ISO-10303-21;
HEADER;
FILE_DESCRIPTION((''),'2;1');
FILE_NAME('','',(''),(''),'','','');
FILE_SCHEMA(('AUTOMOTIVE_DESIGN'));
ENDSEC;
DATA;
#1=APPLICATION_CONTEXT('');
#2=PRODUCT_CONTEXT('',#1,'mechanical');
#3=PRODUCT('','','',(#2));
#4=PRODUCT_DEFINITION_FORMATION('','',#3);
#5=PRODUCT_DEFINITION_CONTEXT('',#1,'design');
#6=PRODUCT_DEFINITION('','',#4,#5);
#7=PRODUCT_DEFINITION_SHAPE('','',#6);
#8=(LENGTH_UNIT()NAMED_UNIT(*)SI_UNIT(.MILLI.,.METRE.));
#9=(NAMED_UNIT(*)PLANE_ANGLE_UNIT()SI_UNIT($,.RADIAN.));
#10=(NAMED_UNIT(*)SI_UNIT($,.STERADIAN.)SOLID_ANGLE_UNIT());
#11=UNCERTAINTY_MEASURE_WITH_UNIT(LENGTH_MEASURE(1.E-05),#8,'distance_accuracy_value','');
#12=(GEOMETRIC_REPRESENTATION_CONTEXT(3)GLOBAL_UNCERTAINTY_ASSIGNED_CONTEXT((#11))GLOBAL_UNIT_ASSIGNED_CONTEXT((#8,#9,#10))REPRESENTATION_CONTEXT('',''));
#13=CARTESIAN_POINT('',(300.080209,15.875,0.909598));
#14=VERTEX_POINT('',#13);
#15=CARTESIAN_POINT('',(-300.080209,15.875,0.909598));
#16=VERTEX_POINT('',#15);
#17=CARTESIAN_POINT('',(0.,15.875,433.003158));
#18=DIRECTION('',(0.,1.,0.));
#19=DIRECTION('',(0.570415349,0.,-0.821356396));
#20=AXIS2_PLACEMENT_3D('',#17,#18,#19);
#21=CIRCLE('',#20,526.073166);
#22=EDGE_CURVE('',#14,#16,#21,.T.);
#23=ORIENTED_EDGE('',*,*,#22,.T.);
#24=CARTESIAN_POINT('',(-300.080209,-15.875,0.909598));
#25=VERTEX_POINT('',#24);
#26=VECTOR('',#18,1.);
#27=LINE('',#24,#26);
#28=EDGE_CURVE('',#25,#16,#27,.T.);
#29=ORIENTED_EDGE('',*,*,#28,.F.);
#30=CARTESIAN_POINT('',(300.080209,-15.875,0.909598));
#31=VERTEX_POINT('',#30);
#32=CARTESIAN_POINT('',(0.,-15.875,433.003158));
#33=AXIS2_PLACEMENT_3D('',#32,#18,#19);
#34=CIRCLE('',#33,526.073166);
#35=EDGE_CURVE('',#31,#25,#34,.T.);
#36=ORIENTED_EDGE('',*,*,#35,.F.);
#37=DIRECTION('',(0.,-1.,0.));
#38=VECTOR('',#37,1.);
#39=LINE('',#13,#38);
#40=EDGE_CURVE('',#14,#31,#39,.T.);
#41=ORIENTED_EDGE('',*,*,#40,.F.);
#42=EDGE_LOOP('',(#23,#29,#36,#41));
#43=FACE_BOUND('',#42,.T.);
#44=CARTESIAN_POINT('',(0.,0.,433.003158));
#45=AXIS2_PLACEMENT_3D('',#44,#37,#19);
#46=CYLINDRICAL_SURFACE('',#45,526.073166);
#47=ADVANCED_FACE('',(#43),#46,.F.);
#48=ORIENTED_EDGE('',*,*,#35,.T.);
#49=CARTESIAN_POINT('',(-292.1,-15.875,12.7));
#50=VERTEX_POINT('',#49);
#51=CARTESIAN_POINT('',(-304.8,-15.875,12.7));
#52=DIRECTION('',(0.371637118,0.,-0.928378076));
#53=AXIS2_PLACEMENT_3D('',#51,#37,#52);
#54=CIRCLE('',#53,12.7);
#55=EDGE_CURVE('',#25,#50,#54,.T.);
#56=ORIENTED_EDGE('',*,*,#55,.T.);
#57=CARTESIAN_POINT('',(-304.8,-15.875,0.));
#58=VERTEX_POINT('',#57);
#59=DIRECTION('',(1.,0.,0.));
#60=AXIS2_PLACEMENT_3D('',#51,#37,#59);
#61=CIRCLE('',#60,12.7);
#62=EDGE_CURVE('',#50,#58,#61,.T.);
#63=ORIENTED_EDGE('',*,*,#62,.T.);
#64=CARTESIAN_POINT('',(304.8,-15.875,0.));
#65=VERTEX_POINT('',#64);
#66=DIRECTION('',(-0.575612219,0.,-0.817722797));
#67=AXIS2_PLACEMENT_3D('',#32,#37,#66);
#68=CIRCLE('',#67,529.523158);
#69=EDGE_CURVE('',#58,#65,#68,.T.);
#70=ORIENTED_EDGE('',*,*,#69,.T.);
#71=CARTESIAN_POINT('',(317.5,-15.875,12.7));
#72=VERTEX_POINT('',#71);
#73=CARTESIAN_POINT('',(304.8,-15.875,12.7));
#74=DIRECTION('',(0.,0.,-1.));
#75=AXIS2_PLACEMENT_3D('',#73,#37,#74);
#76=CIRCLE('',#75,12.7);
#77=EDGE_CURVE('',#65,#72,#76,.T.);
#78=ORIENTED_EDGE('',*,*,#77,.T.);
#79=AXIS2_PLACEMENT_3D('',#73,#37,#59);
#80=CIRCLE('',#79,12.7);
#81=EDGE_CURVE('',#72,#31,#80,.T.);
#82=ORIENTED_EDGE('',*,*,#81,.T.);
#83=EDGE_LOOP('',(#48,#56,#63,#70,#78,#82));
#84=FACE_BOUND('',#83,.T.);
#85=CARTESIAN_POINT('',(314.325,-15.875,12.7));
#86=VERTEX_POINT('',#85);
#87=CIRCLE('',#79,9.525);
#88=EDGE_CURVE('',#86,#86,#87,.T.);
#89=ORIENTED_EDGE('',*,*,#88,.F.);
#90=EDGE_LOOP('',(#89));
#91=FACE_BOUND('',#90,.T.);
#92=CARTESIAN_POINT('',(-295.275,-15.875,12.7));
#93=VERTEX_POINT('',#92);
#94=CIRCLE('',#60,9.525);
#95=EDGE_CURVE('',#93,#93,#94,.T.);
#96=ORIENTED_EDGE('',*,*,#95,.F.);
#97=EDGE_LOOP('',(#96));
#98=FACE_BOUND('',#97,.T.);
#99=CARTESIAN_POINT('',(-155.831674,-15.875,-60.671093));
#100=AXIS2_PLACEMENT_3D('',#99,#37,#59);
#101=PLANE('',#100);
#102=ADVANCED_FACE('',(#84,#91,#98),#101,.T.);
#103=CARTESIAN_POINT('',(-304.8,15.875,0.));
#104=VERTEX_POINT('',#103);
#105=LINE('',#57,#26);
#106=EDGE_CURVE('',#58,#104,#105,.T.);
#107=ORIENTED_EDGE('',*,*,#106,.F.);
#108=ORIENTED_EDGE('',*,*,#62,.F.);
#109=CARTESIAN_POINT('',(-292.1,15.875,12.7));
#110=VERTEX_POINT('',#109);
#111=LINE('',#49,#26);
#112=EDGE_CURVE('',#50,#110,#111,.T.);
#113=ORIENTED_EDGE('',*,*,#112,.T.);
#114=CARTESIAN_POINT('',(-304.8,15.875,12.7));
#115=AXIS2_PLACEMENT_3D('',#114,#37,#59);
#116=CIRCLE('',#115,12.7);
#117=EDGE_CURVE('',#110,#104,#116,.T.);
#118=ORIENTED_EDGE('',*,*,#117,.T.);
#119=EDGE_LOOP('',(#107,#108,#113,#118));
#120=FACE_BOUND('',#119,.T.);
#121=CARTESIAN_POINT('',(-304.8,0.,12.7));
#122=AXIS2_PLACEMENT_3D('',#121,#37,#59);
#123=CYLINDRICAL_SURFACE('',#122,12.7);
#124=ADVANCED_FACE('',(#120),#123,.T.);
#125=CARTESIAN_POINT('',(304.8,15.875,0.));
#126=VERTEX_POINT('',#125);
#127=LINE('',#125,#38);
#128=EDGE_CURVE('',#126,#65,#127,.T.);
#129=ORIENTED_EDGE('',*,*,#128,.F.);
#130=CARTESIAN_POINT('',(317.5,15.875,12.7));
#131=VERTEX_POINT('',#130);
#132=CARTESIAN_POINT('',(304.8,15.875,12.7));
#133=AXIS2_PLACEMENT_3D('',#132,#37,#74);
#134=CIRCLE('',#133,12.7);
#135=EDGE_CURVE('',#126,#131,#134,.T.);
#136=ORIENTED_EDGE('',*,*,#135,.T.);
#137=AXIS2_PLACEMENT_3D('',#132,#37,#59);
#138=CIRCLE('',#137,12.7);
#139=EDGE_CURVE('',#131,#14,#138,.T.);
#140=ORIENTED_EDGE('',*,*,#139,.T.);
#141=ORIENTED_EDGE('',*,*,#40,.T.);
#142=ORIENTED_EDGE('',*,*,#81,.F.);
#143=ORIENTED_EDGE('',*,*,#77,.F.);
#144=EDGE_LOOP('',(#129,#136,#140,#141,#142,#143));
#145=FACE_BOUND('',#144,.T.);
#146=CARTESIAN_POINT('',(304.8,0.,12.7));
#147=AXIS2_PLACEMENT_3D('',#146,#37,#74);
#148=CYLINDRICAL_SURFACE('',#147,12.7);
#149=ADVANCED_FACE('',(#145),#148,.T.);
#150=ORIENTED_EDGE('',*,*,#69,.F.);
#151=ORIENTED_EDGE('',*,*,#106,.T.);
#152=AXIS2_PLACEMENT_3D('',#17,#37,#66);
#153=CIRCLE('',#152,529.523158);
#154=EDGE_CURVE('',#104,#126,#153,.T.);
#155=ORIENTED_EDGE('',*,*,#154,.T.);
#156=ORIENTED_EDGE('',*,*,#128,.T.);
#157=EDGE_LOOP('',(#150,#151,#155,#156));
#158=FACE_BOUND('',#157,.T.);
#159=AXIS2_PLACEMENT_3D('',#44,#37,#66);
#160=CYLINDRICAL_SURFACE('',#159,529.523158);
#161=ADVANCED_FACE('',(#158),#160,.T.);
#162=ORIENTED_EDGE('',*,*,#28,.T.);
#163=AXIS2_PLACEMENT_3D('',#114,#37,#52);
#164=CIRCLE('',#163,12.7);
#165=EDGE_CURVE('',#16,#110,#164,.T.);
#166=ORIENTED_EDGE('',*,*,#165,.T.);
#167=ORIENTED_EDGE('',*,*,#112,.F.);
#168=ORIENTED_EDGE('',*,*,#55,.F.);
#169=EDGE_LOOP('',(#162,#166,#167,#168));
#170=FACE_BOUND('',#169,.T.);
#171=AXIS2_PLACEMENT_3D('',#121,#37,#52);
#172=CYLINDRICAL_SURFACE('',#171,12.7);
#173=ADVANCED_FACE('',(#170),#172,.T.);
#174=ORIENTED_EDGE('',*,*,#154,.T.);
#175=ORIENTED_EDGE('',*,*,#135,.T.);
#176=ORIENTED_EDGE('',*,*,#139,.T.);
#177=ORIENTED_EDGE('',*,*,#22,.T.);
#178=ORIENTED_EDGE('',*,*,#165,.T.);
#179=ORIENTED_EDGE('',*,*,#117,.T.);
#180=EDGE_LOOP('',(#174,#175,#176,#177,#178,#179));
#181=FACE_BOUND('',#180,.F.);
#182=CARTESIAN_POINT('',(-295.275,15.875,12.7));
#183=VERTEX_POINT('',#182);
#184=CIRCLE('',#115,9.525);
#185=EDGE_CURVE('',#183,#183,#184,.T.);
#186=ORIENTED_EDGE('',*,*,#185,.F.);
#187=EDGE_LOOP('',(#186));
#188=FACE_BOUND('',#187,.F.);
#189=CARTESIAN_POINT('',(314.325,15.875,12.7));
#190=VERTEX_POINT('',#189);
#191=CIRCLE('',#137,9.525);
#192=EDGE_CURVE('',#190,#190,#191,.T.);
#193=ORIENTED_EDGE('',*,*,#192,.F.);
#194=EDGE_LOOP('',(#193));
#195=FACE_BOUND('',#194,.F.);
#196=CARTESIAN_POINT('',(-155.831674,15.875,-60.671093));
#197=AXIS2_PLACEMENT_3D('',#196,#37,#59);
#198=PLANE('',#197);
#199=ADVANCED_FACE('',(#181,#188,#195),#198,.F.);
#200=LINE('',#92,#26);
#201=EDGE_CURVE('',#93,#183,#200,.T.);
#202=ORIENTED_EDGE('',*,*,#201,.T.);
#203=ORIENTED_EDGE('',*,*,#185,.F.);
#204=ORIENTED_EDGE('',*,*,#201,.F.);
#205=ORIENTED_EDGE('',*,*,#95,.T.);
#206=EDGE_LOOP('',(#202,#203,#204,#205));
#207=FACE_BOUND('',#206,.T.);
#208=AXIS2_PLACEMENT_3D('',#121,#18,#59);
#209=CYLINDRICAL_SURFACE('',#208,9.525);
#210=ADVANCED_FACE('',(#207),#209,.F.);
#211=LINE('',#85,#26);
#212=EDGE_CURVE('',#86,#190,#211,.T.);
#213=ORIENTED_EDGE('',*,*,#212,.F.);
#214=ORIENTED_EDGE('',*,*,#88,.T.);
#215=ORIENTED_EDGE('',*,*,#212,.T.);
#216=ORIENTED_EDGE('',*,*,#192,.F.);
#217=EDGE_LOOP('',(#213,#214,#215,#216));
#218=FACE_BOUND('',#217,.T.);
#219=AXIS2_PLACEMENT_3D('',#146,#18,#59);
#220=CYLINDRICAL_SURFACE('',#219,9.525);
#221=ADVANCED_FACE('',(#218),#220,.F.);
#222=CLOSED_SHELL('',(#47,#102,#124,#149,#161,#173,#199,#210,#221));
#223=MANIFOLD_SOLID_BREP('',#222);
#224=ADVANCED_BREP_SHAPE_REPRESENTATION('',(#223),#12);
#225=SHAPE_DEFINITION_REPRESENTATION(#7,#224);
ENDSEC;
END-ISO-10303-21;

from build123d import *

# Parameters (mm, degrees)
F0_R     = 9.525
F1_DEPTH = 15.875


with BuildPart() as f1:
    # F0 (on Front) → F1 (new body, symmetric)
    with BuildSketch(Plane.XZ):
        with BuildLine():
            ThreePointArc((-300.0802086054, 0.9095984296), (-302.3966793747, 0.2294727468), (-304.8, 0))
            ThreePointArc((-304.8, 0), (-159.858648812, -71.8136278274), (0, -96.52))
            Line((0, -96.52), (0, -93.0700078607))
            ThreePointArc((0, -93.0700078607), (-157.2261889724, -69.0256273648), (-300.0802086054, 0.9095984296))
        make_face()
        with BuildLine():
            ThreePointArc((-292.1, 12.7), (-313.7802561211, 21.6802561211), (-304.8, 0))
            ThreePointArc((-304.8, 0), (-302.3966793747, 0.2294727468), (-300.0802086054, 0.9095984296))
            ThreePointArc((-300.0802086054, 0.9095984296), (-294.2826013028, 5.5814099258), (-292.1, 12.7))
        make_face()
        with Locations((-304.8, 12.7)):
            Circle(F0_R, mode=Mode.SUBTRACT)
        with BuildLine():
            Line((0, -93.0700078607), (0, -96.52))
            ThreePointArc((0, -96.52), (159.858648812, -71.8136278274), (304.8, 0))
            ThreePointArc((304.8, 0), (302.3966793747, 0.2294727468), (300.0802086054, 0.9095984296))
            ThreePointArc((300.0802086054, 0.9095984296), (157.2261889724, -69.0256273648), (0, -93.0700078607))
        make_face()
        with BuildLine():
            ThreePointArc((300.0802086054, 0.9095984296), (302.3966793747, 0.2294727468), (304.8, 0))
            ThreePointArc((304.8, 0), (313.7802561211, 3.7197438789), (317.5, 12.7))
            ThreePointArc((317.5, 12.7), (297.6814099258, 23.2173986972), (300.0802086054, 0.9095984296))
        make_face()
        with Locations((304.8, 12.7)):
            Circle(F0_R, mode=Mode.SUBTRACT)
    extrude(amount=F1_DEPTH, both=True)


solid = f1.part
